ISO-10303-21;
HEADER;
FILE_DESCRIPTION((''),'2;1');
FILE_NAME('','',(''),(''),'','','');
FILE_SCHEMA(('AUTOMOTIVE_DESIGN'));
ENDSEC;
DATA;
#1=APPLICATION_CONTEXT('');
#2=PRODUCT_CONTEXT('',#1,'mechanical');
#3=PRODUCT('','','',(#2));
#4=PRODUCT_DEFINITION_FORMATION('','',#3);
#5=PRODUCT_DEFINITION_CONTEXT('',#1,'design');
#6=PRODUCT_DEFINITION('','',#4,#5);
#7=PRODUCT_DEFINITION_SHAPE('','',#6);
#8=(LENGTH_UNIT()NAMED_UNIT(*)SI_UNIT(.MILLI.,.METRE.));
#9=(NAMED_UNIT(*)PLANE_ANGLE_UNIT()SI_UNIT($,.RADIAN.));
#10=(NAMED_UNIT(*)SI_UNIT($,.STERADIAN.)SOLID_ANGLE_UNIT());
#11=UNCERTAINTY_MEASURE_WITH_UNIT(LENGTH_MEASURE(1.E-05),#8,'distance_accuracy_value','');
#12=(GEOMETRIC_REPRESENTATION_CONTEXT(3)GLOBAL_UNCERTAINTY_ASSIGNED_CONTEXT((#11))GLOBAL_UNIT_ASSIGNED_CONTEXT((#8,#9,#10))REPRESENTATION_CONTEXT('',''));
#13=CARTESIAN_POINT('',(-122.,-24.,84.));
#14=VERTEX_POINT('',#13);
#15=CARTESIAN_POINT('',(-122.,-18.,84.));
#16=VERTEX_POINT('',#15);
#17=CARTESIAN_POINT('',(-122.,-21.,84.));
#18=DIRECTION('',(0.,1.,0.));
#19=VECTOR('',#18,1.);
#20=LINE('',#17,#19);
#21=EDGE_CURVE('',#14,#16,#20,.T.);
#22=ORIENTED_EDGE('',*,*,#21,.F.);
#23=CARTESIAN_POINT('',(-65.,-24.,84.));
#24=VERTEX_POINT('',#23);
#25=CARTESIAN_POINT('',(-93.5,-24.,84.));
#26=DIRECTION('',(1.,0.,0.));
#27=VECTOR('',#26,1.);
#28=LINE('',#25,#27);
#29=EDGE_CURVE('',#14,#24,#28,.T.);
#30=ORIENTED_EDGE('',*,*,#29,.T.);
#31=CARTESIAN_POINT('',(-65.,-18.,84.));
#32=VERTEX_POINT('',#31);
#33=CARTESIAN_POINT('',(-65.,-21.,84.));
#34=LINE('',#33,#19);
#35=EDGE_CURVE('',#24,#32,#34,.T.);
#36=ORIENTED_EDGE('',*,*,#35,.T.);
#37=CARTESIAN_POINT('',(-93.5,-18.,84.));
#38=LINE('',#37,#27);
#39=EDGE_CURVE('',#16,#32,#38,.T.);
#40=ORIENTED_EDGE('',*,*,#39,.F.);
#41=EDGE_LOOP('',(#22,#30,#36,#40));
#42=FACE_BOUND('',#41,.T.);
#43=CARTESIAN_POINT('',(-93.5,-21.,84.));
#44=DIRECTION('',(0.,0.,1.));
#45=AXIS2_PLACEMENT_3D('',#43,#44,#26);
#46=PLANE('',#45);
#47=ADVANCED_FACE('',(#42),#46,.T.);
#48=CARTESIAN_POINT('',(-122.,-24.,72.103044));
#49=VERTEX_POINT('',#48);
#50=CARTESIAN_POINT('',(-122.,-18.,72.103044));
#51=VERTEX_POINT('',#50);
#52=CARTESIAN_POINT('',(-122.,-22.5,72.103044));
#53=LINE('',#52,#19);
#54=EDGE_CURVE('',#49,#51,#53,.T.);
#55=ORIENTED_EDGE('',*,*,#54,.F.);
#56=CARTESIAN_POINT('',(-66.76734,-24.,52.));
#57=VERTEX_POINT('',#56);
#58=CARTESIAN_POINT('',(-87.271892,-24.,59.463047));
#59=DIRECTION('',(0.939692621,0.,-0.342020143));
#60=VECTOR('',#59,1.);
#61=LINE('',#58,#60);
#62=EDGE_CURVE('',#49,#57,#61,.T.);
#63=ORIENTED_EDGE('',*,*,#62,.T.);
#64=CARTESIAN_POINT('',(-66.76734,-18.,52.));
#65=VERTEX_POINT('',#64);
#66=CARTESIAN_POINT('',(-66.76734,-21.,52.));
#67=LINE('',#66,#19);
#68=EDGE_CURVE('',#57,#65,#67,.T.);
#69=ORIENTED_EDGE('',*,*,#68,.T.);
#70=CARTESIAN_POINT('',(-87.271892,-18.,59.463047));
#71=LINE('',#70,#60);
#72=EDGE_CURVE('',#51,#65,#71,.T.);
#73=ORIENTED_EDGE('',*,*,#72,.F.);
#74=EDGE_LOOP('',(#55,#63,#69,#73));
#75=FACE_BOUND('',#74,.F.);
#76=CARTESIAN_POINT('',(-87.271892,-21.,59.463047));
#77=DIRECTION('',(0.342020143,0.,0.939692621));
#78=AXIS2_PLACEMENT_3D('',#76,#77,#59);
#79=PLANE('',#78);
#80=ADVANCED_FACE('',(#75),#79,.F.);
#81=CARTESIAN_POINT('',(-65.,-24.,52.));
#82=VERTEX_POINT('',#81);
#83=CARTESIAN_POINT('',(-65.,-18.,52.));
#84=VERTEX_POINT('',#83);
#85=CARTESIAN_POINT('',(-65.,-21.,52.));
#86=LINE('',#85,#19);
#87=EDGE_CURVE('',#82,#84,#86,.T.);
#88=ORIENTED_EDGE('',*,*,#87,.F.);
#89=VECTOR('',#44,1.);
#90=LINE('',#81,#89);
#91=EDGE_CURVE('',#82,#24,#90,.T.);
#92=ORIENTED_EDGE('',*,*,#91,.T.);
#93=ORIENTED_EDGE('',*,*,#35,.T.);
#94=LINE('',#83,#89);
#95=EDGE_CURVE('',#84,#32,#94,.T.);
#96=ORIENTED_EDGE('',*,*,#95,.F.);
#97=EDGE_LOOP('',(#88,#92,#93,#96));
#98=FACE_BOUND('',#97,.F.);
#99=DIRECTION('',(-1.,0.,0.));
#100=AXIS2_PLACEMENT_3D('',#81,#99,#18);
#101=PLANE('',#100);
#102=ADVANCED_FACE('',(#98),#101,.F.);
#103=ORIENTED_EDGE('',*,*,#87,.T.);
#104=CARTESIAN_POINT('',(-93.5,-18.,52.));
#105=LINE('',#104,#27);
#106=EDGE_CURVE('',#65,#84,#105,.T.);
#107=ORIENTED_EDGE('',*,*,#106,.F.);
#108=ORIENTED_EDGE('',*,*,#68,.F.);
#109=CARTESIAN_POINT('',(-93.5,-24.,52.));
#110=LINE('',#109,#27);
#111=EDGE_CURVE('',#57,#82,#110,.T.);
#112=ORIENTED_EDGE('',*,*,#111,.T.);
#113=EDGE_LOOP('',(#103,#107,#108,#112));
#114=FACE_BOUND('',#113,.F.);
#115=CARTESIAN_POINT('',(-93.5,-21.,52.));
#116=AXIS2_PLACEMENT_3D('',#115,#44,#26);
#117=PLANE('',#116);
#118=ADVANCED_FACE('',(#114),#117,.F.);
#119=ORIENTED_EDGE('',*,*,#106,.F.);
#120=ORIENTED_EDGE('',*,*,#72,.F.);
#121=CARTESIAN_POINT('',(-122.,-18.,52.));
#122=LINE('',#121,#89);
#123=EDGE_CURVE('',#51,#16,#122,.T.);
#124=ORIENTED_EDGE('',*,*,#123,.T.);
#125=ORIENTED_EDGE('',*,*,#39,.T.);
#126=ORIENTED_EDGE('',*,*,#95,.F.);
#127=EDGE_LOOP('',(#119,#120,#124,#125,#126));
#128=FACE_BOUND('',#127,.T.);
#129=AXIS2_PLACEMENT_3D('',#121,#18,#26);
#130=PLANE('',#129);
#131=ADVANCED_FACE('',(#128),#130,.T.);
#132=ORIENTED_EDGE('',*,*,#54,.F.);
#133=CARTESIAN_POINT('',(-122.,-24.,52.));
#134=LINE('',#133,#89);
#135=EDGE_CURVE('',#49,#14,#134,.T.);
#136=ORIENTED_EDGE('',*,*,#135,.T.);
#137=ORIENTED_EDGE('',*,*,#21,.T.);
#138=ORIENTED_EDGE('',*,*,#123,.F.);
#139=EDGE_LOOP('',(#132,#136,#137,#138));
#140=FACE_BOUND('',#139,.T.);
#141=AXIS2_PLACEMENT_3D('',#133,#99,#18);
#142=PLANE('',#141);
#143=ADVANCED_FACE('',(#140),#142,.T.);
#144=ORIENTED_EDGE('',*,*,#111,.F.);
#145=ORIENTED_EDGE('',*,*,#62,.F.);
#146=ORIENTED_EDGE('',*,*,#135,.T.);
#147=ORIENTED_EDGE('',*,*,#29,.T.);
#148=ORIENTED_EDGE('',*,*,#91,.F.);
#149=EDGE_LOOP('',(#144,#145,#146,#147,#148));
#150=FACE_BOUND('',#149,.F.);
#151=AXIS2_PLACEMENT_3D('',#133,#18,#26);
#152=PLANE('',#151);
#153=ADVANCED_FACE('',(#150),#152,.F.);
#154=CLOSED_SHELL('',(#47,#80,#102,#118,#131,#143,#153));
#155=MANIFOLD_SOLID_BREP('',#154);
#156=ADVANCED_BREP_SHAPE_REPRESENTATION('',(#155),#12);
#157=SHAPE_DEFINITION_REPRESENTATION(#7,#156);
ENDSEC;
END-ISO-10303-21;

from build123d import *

# Parameters (mm, degrees)
BOX728_W               = 80
BOX728_H               = 6
BOX728_DEPTH           = 20
BOX728_PLACEMENT_ANGLE = 20
BOX724_W               = 57
BOX724_H               = 6
BOX724_DEPTH           = 32


with BuildPart() as krychle728:
    # Box728 → Box728 (new body)
    with BuildSketch(Plane.XY):
        with Locations((40, 3)):
            Rectangle(BOX728_W, BOX728_H)
    extrude(amount=BOX728_DEPTH)


with BuildPart() as krychle728_1:
    # Box728 placement: moved
    add(krychle728.part.moved(Location((-131.7, -24, 54.35))).rotate(Axis((-131.7, -24, 54.35), (0, 1, 0)), BOX728_PLACEMENT_ANGLE))


with BuildPart() as cut531:
    # Box724 → Box724 (new body)
    with BuildSketch(Plane(origin=(-122, -24, 52), x_dir=(1, 0, 0), z_dir=(0, 0, 1))):
        with Locations((28.5, 3)):
            Rectangle(BOX724_W, BOX724_H)
    extrude(amount=BOX724_DEPTH)

    # Cut531: cut Krychle728
    add(krychle728_1.part, mode=Mode.SUBTRACT)


solid = cut531.part
